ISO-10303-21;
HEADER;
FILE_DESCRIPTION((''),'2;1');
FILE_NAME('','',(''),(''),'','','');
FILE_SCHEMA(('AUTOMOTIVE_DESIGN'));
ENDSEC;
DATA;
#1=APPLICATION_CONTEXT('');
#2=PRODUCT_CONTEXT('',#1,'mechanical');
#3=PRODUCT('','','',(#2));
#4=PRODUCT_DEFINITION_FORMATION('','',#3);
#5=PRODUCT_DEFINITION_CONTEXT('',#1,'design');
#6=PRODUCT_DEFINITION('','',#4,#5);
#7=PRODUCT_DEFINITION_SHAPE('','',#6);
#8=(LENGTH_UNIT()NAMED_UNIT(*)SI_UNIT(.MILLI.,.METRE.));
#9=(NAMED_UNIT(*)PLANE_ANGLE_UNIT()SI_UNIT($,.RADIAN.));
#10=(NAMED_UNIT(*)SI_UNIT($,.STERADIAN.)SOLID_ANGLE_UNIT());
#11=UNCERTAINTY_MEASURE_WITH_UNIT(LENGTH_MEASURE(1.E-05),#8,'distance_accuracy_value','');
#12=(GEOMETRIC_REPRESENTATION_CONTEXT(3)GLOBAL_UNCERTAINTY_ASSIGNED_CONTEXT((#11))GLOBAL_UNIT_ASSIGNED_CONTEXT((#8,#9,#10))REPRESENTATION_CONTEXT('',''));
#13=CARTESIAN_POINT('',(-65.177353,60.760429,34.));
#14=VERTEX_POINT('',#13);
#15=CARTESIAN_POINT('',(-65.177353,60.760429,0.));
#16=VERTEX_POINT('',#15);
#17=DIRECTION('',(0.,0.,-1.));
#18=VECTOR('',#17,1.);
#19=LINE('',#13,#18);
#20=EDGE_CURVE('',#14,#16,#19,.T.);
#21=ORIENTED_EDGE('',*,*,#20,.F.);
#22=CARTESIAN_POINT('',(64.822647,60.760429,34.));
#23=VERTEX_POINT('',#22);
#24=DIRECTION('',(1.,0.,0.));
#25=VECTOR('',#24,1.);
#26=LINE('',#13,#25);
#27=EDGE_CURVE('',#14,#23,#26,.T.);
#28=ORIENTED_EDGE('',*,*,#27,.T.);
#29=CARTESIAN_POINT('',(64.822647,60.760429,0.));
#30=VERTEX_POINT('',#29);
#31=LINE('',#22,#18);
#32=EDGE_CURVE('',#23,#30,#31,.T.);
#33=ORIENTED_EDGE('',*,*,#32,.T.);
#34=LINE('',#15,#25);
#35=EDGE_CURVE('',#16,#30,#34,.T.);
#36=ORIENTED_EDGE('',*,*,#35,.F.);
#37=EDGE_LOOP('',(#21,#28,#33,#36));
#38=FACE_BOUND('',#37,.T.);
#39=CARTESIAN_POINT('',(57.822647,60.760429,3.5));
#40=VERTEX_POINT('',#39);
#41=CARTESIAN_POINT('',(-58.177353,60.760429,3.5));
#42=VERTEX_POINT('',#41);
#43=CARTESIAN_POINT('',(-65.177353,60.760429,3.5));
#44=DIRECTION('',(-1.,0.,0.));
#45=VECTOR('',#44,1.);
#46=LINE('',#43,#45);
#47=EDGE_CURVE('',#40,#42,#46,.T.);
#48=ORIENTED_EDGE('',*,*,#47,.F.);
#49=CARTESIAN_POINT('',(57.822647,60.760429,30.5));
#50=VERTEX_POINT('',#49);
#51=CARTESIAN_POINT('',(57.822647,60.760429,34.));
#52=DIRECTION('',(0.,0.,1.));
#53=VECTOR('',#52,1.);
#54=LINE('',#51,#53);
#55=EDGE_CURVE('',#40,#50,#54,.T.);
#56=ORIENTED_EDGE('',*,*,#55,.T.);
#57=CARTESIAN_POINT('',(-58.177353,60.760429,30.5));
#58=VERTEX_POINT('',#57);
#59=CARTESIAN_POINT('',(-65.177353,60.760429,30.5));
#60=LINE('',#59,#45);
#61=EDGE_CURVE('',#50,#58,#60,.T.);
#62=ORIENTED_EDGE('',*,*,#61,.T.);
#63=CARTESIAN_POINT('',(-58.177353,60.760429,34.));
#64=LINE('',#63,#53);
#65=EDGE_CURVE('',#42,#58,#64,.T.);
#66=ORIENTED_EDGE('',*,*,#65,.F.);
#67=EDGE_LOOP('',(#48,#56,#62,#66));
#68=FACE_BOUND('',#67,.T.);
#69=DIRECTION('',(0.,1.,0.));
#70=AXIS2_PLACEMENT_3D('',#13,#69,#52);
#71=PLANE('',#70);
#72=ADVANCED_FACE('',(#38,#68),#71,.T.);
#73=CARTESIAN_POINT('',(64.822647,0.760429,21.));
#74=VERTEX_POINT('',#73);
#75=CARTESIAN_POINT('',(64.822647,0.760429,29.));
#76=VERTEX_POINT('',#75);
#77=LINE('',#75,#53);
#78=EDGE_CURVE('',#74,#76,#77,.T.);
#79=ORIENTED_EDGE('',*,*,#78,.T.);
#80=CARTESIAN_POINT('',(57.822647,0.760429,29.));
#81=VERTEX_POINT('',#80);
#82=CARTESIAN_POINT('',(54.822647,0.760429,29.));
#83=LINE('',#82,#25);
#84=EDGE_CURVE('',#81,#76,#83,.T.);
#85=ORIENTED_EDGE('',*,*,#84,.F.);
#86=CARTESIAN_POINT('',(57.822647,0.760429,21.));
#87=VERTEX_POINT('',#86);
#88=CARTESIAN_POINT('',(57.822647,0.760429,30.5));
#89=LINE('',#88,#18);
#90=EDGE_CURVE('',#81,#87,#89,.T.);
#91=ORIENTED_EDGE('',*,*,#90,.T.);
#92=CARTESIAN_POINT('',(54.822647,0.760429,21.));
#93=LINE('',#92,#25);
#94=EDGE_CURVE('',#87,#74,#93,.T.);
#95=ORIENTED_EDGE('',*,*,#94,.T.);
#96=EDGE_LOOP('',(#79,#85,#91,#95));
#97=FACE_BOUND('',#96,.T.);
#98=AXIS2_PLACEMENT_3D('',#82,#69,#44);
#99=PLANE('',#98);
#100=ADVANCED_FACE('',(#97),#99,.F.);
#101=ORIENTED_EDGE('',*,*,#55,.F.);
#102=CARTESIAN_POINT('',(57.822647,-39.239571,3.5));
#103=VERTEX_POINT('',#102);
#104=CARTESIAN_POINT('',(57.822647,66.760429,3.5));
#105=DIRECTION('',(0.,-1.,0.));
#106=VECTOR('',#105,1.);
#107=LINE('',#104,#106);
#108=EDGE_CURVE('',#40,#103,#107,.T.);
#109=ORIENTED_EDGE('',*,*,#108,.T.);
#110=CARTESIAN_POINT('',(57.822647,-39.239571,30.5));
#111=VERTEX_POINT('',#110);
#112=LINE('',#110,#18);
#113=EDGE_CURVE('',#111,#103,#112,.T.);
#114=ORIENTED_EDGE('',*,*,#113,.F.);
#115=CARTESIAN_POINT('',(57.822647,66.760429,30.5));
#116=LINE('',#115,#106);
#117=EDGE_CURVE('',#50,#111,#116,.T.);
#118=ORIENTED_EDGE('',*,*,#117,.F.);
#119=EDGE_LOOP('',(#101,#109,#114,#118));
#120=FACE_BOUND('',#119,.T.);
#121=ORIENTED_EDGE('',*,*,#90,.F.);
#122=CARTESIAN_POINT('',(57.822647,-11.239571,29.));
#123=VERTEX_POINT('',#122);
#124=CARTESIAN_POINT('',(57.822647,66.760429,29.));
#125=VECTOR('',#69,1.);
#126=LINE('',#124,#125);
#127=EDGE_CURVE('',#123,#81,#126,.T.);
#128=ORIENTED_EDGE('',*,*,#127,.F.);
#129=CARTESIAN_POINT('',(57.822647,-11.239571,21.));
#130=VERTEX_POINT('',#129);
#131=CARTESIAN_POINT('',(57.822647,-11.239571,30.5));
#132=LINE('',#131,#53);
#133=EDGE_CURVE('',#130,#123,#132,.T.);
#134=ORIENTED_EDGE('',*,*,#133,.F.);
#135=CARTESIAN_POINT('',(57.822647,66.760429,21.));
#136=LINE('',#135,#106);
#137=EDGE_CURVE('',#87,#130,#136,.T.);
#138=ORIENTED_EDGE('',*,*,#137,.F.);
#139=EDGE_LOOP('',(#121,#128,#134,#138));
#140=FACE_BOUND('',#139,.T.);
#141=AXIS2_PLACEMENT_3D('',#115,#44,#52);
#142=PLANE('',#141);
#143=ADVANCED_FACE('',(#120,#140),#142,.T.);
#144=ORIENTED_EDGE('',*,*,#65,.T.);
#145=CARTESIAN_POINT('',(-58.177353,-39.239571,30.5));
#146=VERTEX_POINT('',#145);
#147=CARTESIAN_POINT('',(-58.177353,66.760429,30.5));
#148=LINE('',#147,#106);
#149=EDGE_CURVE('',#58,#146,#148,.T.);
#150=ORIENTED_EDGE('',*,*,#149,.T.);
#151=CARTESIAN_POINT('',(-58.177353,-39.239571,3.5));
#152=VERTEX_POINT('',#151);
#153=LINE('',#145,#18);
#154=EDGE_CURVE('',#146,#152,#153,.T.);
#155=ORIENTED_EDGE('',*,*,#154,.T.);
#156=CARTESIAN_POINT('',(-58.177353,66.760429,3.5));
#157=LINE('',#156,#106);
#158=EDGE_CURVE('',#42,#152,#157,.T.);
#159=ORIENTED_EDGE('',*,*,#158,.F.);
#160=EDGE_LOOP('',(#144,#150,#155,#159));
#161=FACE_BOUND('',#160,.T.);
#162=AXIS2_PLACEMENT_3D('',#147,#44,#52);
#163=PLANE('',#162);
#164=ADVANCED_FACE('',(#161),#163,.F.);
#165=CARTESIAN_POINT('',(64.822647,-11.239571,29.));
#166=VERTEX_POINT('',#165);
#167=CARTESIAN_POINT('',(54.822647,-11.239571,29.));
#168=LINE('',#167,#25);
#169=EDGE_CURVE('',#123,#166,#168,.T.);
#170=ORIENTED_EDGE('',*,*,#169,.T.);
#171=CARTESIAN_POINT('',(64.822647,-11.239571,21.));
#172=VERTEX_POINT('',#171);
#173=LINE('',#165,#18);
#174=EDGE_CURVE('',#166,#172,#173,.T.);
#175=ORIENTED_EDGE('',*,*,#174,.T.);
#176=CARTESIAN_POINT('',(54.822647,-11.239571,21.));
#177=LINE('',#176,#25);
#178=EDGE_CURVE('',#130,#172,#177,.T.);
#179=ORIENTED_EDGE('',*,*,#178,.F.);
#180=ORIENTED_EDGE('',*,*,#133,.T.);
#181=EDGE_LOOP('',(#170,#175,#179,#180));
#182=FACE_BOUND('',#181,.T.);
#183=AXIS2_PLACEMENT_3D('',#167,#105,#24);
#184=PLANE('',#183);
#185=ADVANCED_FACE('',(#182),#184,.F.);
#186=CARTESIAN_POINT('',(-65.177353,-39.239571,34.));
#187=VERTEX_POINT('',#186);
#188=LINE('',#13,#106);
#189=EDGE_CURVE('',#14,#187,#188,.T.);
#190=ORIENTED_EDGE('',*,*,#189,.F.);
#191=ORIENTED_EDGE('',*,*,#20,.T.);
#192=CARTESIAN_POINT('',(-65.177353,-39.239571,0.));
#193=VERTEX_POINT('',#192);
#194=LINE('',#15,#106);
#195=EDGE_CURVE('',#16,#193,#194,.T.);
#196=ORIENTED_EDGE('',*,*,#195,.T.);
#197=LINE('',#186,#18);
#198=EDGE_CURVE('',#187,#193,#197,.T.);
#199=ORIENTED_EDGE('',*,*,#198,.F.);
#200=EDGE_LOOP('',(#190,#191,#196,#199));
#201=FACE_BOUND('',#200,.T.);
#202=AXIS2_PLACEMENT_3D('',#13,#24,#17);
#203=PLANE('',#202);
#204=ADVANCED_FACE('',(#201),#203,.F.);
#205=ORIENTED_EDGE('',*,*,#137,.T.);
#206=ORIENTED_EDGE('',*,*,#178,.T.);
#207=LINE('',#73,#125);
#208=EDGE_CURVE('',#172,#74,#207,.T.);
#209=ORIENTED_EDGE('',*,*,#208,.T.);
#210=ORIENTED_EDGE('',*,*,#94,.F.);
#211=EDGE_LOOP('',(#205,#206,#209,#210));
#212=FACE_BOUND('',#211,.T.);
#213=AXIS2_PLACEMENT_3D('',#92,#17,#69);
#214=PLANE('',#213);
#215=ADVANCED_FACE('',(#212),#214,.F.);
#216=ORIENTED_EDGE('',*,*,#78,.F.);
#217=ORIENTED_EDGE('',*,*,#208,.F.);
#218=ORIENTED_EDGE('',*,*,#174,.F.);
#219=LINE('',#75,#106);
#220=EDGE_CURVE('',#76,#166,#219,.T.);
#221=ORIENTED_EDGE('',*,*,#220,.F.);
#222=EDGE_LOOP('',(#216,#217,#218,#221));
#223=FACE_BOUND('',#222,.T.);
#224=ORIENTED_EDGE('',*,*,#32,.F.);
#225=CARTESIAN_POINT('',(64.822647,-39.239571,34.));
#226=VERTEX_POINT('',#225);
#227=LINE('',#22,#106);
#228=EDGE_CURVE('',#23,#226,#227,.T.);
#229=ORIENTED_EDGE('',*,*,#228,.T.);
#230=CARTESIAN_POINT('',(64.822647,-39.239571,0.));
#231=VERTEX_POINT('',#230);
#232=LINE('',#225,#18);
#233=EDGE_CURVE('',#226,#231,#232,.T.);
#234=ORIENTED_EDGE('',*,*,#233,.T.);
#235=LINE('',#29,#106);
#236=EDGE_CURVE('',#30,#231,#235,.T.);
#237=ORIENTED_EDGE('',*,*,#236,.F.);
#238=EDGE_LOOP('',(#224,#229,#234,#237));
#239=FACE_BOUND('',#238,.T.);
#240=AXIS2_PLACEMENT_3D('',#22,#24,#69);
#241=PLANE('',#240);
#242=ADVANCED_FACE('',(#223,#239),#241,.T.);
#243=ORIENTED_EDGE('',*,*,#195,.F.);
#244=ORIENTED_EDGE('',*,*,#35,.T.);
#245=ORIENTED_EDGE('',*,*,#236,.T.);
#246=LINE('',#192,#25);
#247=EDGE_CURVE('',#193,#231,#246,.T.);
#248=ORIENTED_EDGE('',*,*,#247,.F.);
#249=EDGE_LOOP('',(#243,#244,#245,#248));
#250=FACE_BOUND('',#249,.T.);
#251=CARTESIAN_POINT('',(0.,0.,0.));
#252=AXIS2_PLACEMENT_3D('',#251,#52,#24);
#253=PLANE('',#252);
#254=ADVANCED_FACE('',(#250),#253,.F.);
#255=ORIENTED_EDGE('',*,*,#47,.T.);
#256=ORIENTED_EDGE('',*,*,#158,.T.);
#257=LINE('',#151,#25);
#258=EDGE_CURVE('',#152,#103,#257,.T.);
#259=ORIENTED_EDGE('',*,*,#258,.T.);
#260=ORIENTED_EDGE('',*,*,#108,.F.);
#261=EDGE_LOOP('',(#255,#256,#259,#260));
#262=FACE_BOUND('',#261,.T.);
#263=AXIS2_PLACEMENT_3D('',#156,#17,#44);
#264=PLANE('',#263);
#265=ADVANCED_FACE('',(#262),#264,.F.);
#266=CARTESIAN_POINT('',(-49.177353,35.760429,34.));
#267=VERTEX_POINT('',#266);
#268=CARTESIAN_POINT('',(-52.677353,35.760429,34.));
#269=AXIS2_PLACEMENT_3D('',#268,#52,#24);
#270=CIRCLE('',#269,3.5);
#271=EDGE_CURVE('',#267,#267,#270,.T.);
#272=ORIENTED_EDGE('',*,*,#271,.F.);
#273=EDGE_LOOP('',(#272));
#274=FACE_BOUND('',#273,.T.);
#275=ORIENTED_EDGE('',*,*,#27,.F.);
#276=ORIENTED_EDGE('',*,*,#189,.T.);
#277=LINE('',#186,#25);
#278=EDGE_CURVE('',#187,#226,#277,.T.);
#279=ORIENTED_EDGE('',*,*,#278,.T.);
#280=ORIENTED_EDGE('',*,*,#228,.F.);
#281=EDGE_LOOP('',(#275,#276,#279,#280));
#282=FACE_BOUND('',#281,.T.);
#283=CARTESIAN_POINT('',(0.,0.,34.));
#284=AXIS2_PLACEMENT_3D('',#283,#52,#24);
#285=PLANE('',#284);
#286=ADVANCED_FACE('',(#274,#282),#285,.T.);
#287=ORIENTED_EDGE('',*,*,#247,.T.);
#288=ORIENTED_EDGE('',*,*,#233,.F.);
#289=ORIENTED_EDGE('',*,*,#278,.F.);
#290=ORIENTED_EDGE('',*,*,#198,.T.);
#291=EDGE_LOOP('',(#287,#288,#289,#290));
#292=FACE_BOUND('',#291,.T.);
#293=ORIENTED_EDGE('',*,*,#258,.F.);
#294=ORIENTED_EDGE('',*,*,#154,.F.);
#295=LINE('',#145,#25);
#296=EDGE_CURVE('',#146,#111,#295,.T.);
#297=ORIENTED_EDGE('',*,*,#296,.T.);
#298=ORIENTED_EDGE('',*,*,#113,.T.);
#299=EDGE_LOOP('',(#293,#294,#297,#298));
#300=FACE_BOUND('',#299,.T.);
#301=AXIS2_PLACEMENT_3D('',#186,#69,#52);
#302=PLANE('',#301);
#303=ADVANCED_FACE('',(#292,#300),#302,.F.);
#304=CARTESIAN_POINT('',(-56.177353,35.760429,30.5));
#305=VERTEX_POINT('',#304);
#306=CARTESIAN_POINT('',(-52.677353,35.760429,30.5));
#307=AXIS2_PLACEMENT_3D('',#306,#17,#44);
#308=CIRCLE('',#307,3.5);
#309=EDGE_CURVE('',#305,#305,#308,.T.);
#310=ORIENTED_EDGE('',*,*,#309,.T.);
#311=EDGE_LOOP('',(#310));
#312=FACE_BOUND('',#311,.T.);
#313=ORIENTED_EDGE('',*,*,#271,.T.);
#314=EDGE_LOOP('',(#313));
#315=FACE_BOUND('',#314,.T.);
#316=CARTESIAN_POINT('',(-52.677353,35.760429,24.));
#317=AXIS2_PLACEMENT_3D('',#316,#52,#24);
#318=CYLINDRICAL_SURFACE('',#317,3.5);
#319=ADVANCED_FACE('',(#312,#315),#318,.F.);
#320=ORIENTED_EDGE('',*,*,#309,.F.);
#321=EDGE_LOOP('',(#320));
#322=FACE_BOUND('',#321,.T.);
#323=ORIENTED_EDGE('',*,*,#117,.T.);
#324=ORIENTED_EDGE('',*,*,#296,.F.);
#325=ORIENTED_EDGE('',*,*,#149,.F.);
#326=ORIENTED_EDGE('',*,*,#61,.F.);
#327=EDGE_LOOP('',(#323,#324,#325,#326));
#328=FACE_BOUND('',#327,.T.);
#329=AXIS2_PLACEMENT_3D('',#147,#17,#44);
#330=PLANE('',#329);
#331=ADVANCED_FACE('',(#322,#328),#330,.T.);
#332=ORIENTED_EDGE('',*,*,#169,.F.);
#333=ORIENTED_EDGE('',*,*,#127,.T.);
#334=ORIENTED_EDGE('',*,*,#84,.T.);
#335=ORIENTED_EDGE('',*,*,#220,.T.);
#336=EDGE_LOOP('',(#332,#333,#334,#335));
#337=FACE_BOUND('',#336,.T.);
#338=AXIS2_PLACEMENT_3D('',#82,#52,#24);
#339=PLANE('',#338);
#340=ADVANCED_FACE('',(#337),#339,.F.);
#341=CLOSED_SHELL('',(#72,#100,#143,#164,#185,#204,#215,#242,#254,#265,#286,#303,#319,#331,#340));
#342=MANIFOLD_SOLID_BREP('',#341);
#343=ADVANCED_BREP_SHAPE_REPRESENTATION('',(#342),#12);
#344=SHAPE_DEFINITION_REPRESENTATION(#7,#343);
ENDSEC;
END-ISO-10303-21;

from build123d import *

# Parameters (mm, degrees)
ESQUISSE1_W             = 130
ESQUISSE1_H             = 100
BOSS_EXTRU_1_DEPTH      = 34
ESQUISSE2_W             = 116
ESQUISSE2_H             = 27
ENL_V_MAT_EXTRU_1_DEPTH = 106
ESQUISSE3_R             = 3.5
ENL_V_MAT_EXTRU_2_DEPTH = 10
ESQUISSE4_W             = 8
ESQUISSE4_H             = 12
ENL_V_MAT_EXTRU_3_DEPTH = 10


with BuildPart() as part:
    # Esquisse1 → Boss.-Extru.1 (new body)
    with BuildSketch(Plane.XY):
        with Locations((-0.177352831, 10.760428886)):
            Rectangle(ESQUISSE1_W, ESQUISSE1_H)
    extrude(amount=BOSS_EXTRU_1_DEPTH)

    # Esquisse2 → Enlèv. mat.-Extru.1 (cut)
    with BuildSketch(Plane.XZ.offset(39.239571114)):
        with Locations((-0.177352831, 17)):
            Rectangle(ESQUISSE2_W, ESQUISSE2_H)
    extrude(amount=-ENL_V_MAT_EXTRU_1_DEPTH, mode=Mode.SUBTRACT)

    # Esquisse3 → Enlèv. mat.-Extru.2 (cut)
    with BuildSketch(Plane.XY.offset(34)):
        with Locations((-52.677352831, 35.760428886)):
            Circle(ESQUISSE3_R)
    extrude(amount=-ENL_V_MAT_EXTRU_2_DEPTH, mode=Mode.SUBTRACT)

    # Esquisse4 → Enlèv. mat.-Extru.3 (cut)
    with BuildSketch(Plane(origin=(64.822647169, 0, 0), x_dir=(0, 0, -1), z_dir=(1, 0, 0))):
        with Locations((-25, -5.239571114)):
            Rectangle(ESQUISSE4_W, ESQUISSE4_H)
    extrude(amount=-ENL_V_MAT_EXTRU_3_DEPTH, mode=Mode.SUBTRACT)


solid = part.part
